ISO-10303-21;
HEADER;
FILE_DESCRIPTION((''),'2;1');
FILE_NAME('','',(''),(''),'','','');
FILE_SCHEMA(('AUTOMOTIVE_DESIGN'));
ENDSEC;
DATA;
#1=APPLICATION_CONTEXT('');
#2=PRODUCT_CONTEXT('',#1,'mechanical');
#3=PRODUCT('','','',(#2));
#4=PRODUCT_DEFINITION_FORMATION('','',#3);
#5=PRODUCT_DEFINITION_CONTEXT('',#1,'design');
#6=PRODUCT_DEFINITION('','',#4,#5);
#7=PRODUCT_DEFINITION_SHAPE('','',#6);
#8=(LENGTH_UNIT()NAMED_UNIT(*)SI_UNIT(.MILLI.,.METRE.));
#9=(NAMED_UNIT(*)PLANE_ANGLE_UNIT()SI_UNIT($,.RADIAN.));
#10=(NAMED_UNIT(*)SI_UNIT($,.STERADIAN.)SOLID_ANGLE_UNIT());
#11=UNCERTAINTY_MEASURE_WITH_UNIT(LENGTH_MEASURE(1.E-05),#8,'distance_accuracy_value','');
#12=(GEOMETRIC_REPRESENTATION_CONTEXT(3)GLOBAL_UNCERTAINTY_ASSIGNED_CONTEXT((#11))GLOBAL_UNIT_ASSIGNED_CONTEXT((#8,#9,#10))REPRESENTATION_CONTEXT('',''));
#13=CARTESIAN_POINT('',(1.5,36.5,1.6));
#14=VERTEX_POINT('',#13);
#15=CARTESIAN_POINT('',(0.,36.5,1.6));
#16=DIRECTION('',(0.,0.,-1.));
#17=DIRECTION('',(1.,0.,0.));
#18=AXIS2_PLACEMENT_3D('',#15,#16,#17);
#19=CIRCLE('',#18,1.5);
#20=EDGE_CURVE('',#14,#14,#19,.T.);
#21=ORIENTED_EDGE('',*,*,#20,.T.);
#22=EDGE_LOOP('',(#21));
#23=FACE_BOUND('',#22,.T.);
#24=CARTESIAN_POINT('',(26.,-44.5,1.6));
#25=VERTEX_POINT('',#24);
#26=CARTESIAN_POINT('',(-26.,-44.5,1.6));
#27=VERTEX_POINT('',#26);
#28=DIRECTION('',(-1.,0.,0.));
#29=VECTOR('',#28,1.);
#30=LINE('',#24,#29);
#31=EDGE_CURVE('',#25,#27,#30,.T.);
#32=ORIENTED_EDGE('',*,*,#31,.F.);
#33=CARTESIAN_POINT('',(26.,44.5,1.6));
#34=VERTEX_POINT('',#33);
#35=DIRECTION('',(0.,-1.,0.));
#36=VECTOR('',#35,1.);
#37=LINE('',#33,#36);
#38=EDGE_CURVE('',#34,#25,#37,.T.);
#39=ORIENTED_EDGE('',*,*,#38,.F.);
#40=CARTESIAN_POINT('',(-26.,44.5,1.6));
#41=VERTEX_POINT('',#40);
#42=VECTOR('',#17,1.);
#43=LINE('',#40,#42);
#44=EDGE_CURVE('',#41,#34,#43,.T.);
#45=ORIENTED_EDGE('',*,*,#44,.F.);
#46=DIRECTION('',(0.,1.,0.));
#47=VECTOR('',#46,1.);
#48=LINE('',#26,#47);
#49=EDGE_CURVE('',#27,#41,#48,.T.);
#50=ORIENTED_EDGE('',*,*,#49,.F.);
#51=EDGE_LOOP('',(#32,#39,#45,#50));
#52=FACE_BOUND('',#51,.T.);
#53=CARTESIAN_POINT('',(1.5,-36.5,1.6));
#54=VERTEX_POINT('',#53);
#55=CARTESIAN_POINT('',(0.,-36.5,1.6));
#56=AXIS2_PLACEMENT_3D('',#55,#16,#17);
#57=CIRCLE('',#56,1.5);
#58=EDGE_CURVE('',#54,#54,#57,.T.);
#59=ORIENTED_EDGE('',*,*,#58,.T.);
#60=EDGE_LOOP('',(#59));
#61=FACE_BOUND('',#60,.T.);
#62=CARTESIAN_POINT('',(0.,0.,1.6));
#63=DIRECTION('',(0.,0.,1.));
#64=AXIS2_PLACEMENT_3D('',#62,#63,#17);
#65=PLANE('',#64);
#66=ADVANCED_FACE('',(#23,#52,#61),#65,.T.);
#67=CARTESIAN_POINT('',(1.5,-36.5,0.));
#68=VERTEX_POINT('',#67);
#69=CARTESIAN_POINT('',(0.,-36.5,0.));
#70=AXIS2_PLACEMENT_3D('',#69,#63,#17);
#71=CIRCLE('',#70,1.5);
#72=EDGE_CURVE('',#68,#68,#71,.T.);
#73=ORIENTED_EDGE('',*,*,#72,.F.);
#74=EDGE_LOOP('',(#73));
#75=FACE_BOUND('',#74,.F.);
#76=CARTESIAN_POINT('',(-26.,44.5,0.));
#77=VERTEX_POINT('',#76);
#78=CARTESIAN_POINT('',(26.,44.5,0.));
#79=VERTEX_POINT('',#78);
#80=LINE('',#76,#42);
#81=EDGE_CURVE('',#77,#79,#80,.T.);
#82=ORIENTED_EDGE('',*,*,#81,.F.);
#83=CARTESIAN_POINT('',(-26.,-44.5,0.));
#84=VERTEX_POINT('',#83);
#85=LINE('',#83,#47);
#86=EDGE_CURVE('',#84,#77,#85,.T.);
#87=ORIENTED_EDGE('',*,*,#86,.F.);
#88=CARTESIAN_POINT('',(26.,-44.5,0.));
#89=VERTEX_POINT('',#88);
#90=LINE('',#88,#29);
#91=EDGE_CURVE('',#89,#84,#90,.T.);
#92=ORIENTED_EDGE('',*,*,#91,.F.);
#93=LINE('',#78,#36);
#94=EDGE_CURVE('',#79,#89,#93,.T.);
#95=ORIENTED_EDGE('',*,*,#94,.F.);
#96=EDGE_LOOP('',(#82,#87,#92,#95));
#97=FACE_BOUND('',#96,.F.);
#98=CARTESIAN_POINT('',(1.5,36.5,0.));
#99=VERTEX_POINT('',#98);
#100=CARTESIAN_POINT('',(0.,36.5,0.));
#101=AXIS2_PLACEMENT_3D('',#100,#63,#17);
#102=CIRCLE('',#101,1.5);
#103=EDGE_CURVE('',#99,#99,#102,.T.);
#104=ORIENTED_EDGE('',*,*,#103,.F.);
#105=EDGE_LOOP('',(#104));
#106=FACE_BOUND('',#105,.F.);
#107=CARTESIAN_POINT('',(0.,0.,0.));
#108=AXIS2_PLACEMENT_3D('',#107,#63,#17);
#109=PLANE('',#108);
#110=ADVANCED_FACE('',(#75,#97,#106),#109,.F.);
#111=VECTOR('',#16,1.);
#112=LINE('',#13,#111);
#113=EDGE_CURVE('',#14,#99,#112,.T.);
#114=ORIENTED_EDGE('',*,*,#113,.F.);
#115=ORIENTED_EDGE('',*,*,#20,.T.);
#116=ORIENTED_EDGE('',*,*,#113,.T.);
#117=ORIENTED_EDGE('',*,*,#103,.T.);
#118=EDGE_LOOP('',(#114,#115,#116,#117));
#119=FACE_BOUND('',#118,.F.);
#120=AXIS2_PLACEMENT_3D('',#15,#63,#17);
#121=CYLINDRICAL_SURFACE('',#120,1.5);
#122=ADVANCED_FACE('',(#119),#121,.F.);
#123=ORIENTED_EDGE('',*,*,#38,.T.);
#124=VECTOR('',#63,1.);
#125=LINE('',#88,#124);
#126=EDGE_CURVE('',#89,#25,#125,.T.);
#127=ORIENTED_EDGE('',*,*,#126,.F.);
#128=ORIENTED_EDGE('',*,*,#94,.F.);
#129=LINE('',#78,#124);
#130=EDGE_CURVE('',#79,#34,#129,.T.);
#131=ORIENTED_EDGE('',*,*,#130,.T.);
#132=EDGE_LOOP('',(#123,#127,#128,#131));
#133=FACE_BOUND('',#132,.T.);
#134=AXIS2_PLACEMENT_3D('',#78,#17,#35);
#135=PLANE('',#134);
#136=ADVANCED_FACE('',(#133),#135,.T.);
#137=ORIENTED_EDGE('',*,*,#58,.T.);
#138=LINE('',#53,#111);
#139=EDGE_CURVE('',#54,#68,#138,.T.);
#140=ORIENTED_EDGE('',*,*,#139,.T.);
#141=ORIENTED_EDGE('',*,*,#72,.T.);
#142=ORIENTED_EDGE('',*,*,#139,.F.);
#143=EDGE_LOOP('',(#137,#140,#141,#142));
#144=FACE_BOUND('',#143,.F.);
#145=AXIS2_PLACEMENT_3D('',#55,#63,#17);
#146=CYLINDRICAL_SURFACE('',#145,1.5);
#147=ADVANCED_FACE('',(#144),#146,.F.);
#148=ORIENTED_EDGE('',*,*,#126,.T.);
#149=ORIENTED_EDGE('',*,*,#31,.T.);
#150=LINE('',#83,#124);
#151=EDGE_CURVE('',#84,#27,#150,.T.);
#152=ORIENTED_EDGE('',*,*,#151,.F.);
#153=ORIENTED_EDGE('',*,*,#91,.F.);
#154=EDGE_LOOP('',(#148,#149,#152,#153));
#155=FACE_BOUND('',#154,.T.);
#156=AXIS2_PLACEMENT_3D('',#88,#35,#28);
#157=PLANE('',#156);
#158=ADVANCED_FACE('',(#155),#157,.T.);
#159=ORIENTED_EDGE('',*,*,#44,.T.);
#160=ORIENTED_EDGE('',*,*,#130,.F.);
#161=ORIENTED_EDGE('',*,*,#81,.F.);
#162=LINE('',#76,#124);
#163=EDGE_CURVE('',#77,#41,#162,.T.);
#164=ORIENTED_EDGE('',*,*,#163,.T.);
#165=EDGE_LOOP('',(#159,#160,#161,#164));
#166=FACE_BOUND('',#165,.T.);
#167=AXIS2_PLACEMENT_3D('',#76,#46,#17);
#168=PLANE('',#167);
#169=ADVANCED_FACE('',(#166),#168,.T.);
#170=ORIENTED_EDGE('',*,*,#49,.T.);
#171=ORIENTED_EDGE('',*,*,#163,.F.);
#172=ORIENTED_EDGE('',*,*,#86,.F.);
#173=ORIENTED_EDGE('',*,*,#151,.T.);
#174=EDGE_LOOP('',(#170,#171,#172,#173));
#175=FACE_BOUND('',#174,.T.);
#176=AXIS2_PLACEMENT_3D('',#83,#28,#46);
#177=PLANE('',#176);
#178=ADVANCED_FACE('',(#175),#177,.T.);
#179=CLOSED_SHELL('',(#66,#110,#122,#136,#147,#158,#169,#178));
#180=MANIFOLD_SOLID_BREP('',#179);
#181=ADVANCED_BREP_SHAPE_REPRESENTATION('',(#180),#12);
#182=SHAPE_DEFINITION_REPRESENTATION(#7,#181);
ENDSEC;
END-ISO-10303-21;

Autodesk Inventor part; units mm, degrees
ref_plane "YZ Plane" through (0, 0, 0) normal (1, 0, 0) x (0, 1, 0)
ref_plane "XZ Plane" through (0, 0, 0) normal (0, 1, 0) x (-1, 0, 0)
ref_plane "XY Plane" through (0, 0, 0) normal (0, 0, 1) x (1, 0, 0)
sketch "스케치1" plane through (0, 0, 0) normal (0, 0, 1) x (1, 0, 0)
  point P0 (0, 0)
sketch "스케치2" plane through (0, 0, 0) normal (0, 0, 1) x (1, 0, 0)
  line L0 (-26, 44.5) -> (26, 44.5)
  line L1 (26, 44.5) -> (26, -44.5)
  line L2 (26, -44.5) -> (-26, -44.5)
  line L3 (-26, -44.5) -> (-26, 44.5)
  line L4 (-26, 44.5) -> (26, -44.5) construction
  line L5 (26, 44.5) -> (-26, -44.5) construction
  point P0 (0, 0)
  dimension "d0" = 52
  dimension "d1" = 89
extrude "돌출1" add sketch "스케치2" along normal blind 1.6
sketch "스케치3" plane through (0, 0, 1.6) normal (0, 0, 1) x (1, 0, 0)
  circle A0 centre (0, 36.5) radius 1.5
  line L0 (26, 44.5) -> (-26, 44.5) projected
  circle A1 centre (0, -36.5) radius 1.5
  line L1 (-26, -44.5) -> (26, -44.5) projected
  line L2 (0, -62.3) -> (0, 62.3) projected
  point P0 (0, 0)
  dimension "d4" = 3
  dimension "d5" = 8
  dimension "d6" = 3
  dimension "d7" = 8
extrude "돌출2" cut sketch "스케치3" against normal up to surface (1.6 mm away)
properties part number "빵판"
